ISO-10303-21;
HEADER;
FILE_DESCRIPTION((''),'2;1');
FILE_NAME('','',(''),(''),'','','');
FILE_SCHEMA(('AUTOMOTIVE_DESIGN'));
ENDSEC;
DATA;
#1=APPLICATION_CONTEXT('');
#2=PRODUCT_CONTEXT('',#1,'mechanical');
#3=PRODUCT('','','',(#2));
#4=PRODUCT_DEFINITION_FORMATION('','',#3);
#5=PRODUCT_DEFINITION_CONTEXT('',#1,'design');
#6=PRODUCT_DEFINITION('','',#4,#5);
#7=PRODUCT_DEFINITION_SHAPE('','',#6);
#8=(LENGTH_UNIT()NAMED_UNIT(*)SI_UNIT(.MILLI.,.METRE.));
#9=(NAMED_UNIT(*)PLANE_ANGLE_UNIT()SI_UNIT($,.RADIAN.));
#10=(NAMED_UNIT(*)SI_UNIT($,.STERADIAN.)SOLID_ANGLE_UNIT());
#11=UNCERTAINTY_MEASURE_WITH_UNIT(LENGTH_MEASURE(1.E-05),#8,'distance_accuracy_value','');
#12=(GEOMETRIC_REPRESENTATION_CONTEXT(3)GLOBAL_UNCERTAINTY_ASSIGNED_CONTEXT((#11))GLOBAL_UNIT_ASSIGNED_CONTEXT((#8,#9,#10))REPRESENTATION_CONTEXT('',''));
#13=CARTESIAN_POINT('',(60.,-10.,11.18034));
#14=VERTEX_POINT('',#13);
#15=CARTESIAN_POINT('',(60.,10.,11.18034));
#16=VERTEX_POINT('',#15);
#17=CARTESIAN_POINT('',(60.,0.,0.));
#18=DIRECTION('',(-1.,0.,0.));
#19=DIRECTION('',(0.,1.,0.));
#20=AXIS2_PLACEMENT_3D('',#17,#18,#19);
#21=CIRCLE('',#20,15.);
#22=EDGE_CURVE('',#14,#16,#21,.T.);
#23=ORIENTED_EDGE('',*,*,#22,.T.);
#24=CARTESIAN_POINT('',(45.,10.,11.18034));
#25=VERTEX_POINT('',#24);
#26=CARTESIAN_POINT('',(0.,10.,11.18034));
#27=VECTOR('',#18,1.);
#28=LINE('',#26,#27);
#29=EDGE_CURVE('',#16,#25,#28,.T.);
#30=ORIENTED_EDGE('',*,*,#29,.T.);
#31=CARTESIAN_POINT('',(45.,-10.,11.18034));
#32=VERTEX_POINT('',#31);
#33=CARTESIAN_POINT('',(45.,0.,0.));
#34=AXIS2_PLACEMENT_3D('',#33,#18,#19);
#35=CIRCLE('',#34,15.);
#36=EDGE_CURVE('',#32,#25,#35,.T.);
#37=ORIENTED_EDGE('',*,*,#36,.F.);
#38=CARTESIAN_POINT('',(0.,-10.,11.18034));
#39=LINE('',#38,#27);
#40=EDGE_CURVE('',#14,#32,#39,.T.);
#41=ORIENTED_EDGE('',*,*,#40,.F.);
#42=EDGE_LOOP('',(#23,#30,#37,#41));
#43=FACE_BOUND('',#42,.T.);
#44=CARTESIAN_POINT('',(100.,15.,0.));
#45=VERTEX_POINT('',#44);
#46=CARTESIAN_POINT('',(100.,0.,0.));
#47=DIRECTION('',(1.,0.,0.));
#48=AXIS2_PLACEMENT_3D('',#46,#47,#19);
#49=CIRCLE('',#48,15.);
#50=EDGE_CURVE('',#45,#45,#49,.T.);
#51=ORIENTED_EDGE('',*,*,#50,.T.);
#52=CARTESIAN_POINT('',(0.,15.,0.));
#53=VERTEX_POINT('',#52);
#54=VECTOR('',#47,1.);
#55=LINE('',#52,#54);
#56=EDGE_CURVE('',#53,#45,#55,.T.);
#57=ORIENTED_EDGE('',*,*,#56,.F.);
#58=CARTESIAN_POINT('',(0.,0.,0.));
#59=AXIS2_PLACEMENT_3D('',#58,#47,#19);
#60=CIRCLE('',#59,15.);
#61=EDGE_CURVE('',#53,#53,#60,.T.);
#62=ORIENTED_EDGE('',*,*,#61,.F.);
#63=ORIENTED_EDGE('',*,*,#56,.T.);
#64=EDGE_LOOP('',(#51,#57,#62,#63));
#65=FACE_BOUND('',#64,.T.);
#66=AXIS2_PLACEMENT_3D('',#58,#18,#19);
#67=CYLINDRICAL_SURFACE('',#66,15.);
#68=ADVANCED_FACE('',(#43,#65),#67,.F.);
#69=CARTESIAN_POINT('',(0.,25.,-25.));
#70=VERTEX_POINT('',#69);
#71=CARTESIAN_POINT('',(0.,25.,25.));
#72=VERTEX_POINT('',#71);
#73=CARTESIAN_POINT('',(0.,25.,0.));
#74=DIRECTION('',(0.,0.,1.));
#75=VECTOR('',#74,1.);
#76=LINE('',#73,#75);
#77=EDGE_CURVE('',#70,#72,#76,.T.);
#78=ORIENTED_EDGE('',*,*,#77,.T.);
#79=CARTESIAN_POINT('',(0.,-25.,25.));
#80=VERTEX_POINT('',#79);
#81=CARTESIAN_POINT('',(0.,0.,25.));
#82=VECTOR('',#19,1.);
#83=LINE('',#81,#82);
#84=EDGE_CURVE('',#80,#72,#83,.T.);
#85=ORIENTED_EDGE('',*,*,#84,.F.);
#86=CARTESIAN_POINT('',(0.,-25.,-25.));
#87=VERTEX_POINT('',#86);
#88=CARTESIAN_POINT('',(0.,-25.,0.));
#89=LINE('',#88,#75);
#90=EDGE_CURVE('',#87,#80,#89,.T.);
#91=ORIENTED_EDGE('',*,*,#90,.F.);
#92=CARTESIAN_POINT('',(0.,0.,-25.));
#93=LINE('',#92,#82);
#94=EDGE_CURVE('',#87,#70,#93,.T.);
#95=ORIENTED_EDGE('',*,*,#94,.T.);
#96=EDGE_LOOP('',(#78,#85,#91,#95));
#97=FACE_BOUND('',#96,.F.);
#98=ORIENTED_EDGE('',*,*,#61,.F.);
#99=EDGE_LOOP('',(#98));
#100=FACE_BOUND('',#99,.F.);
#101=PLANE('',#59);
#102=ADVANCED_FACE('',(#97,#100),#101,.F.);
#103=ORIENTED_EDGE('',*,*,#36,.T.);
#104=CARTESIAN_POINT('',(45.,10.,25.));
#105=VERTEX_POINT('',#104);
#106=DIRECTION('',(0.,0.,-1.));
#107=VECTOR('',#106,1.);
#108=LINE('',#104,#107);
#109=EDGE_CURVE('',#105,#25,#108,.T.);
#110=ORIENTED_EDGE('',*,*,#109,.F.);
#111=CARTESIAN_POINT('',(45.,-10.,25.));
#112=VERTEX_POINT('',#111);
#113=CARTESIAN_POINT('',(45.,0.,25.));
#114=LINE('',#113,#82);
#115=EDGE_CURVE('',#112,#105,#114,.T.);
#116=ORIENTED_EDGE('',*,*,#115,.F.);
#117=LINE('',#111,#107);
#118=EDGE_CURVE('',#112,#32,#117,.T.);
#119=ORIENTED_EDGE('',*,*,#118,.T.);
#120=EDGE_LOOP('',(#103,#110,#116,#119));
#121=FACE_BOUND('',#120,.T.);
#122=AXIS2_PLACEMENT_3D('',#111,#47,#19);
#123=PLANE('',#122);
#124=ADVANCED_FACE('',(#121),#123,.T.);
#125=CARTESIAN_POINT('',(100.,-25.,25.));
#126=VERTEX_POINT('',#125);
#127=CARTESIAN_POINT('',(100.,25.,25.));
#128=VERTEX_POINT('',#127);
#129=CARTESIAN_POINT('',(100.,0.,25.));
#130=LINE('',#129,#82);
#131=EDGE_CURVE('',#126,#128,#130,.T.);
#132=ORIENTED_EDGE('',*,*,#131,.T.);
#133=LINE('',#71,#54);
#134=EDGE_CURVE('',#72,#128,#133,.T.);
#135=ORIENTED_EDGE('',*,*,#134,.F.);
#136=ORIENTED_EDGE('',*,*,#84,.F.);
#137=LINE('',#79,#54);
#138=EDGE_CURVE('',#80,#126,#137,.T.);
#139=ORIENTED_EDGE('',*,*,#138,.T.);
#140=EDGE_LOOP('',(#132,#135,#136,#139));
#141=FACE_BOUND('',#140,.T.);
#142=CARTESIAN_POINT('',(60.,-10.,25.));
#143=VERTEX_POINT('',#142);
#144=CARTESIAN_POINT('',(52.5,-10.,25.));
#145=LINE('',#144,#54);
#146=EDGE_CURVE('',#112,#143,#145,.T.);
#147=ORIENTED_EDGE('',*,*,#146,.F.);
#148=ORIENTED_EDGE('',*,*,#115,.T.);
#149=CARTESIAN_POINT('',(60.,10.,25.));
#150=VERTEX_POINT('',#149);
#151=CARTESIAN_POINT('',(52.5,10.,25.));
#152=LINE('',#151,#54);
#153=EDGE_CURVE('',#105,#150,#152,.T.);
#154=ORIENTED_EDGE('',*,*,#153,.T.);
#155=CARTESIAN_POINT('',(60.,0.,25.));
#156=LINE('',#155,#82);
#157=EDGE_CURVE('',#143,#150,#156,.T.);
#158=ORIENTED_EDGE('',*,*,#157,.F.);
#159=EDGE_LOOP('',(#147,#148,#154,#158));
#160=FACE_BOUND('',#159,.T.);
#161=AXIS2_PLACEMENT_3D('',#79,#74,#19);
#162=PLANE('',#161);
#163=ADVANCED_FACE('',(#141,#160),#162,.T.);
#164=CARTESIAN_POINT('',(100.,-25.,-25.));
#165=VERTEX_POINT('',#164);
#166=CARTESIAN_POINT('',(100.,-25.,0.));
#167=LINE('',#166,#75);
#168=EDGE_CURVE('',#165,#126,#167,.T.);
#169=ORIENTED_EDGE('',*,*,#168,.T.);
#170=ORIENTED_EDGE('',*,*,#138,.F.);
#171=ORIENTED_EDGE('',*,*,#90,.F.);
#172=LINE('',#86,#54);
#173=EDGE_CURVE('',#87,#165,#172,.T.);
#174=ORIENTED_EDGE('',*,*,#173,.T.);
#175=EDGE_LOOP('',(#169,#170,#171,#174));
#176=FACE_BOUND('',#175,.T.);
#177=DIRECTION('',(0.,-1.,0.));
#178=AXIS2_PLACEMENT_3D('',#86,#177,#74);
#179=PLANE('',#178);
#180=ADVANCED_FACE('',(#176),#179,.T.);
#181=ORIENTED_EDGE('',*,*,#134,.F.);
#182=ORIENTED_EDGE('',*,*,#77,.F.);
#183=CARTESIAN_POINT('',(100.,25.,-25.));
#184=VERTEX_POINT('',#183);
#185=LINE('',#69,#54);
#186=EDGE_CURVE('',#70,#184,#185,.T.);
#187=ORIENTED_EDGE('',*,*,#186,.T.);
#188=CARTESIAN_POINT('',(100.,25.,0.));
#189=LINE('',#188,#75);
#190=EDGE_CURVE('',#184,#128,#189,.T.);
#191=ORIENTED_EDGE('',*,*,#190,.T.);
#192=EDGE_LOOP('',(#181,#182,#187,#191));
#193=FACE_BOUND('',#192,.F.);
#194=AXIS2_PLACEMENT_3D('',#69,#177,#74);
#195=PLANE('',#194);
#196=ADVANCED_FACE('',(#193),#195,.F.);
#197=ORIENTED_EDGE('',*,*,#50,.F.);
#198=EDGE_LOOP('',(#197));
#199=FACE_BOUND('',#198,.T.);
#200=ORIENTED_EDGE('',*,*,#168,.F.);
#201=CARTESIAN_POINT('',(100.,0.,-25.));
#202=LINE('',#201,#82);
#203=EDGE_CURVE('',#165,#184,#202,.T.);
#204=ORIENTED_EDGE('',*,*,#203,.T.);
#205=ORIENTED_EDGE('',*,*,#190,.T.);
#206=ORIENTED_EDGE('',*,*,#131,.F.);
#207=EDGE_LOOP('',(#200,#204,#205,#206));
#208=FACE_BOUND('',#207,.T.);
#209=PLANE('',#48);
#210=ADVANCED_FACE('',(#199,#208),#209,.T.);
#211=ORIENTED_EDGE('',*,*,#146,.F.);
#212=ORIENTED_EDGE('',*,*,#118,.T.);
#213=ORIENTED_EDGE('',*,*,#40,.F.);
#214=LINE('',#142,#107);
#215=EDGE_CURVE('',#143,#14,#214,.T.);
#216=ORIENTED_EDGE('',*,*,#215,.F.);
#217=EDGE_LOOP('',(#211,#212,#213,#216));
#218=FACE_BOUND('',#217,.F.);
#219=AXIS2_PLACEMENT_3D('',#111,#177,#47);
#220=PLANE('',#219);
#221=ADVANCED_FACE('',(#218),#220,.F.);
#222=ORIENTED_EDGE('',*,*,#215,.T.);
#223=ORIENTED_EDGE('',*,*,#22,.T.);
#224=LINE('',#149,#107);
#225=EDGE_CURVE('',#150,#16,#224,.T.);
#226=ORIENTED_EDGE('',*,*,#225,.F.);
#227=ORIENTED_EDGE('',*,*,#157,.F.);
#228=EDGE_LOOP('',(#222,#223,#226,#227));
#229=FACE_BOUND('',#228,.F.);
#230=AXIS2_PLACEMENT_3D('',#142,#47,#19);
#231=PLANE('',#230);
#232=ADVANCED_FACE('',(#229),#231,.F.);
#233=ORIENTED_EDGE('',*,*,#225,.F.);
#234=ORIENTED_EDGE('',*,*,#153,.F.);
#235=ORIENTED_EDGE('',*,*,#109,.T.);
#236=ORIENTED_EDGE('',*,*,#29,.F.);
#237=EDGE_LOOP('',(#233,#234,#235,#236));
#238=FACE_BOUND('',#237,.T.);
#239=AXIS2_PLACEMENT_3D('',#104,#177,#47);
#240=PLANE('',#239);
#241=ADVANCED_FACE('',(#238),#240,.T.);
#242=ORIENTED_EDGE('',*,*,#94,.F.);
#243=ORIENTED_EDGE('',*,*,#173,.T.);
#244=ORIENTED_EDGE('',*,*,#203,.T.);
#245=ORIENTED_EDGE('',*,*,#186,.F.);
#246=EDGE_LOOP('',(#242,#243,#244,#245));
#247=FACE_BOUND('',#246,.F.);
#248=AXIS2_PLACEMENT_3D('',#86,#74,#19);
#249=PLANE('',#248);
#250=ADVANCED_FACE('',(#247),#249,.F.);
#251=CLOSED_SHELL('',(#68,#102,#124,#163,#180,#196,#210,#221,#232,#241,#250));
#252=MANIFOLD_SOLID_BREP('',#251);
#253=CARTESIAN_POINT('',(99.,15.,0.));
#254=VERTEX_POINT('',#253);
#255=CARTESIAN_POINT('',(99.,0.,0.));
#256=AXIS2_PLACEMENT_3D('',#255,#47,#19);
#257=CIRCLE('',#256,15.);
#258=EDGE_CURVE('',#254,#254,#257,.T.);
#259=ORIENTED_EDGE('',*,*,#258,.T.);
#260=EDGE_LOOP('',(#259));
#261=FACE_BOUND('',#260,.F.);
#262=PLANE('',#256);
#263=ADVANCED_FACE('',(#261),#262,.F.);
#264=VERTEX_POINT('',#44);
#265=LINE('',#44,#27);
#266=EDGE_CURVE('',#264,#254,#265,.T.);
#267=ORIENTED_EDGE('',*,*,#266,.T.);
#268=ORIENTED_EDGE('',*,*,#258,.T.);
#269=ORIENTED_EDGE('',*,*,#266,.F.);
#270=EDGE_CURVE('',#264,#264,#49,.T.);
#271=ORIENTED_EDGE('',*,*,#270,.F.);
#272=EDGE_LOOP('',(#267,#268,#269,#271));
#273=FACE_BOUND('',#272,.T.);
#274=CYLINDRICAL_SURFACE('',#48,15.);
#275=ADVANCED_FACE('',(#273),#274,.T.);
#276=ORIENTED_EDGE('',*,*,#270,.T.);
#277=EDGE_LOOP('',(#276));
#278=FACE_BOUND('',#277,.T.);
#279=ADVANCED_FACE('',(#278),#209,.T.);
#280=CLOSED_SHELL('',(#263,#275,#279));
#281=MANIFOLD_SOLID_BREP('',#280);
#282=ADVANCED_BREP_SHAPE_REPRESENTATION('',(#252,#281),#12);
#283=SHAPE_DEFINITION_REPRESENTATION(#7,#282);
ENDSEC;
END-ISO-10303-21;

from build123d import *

# Parameters (mm, degrees)
F0_W     = 50
F0_H     = 50
F0_R     = 15
F1_DEPTH = 100
F2_W     = 15
F2_H     = 20
F3_DEPTH = 25
F4_R     = 15
F5_DEPTH = 1


with BuildPart() as f1:
    # F0 (on Right) → F1 (new body)
    with BuildSketch(Plane.YZ):
        Rectangle(F0_W, F0_H)
        Circle(F0_R, mode=Mode.SUBTRACT)
    extrude(amount=F1_DEPTH)

    # F2 (on face) → F3 (cut)
    with BuildSketch(Plane.XY.offset(25)):
        with Locations((52.5, 0)):
            Rectangle(F2_W, F2_H)
    extrude(amount=-F3_DEPTH, mode=Mode.SUBTRACT)


with BuildPart() as f5:
    # F4 (on face) → F5 (new body)
    with BuildSketch(Plane.YZ.offset(100)):
        Circle(F4_R)
    extrude(amount=-F5_DEPTH)


solid = Compound([f1.part, f5.part])
